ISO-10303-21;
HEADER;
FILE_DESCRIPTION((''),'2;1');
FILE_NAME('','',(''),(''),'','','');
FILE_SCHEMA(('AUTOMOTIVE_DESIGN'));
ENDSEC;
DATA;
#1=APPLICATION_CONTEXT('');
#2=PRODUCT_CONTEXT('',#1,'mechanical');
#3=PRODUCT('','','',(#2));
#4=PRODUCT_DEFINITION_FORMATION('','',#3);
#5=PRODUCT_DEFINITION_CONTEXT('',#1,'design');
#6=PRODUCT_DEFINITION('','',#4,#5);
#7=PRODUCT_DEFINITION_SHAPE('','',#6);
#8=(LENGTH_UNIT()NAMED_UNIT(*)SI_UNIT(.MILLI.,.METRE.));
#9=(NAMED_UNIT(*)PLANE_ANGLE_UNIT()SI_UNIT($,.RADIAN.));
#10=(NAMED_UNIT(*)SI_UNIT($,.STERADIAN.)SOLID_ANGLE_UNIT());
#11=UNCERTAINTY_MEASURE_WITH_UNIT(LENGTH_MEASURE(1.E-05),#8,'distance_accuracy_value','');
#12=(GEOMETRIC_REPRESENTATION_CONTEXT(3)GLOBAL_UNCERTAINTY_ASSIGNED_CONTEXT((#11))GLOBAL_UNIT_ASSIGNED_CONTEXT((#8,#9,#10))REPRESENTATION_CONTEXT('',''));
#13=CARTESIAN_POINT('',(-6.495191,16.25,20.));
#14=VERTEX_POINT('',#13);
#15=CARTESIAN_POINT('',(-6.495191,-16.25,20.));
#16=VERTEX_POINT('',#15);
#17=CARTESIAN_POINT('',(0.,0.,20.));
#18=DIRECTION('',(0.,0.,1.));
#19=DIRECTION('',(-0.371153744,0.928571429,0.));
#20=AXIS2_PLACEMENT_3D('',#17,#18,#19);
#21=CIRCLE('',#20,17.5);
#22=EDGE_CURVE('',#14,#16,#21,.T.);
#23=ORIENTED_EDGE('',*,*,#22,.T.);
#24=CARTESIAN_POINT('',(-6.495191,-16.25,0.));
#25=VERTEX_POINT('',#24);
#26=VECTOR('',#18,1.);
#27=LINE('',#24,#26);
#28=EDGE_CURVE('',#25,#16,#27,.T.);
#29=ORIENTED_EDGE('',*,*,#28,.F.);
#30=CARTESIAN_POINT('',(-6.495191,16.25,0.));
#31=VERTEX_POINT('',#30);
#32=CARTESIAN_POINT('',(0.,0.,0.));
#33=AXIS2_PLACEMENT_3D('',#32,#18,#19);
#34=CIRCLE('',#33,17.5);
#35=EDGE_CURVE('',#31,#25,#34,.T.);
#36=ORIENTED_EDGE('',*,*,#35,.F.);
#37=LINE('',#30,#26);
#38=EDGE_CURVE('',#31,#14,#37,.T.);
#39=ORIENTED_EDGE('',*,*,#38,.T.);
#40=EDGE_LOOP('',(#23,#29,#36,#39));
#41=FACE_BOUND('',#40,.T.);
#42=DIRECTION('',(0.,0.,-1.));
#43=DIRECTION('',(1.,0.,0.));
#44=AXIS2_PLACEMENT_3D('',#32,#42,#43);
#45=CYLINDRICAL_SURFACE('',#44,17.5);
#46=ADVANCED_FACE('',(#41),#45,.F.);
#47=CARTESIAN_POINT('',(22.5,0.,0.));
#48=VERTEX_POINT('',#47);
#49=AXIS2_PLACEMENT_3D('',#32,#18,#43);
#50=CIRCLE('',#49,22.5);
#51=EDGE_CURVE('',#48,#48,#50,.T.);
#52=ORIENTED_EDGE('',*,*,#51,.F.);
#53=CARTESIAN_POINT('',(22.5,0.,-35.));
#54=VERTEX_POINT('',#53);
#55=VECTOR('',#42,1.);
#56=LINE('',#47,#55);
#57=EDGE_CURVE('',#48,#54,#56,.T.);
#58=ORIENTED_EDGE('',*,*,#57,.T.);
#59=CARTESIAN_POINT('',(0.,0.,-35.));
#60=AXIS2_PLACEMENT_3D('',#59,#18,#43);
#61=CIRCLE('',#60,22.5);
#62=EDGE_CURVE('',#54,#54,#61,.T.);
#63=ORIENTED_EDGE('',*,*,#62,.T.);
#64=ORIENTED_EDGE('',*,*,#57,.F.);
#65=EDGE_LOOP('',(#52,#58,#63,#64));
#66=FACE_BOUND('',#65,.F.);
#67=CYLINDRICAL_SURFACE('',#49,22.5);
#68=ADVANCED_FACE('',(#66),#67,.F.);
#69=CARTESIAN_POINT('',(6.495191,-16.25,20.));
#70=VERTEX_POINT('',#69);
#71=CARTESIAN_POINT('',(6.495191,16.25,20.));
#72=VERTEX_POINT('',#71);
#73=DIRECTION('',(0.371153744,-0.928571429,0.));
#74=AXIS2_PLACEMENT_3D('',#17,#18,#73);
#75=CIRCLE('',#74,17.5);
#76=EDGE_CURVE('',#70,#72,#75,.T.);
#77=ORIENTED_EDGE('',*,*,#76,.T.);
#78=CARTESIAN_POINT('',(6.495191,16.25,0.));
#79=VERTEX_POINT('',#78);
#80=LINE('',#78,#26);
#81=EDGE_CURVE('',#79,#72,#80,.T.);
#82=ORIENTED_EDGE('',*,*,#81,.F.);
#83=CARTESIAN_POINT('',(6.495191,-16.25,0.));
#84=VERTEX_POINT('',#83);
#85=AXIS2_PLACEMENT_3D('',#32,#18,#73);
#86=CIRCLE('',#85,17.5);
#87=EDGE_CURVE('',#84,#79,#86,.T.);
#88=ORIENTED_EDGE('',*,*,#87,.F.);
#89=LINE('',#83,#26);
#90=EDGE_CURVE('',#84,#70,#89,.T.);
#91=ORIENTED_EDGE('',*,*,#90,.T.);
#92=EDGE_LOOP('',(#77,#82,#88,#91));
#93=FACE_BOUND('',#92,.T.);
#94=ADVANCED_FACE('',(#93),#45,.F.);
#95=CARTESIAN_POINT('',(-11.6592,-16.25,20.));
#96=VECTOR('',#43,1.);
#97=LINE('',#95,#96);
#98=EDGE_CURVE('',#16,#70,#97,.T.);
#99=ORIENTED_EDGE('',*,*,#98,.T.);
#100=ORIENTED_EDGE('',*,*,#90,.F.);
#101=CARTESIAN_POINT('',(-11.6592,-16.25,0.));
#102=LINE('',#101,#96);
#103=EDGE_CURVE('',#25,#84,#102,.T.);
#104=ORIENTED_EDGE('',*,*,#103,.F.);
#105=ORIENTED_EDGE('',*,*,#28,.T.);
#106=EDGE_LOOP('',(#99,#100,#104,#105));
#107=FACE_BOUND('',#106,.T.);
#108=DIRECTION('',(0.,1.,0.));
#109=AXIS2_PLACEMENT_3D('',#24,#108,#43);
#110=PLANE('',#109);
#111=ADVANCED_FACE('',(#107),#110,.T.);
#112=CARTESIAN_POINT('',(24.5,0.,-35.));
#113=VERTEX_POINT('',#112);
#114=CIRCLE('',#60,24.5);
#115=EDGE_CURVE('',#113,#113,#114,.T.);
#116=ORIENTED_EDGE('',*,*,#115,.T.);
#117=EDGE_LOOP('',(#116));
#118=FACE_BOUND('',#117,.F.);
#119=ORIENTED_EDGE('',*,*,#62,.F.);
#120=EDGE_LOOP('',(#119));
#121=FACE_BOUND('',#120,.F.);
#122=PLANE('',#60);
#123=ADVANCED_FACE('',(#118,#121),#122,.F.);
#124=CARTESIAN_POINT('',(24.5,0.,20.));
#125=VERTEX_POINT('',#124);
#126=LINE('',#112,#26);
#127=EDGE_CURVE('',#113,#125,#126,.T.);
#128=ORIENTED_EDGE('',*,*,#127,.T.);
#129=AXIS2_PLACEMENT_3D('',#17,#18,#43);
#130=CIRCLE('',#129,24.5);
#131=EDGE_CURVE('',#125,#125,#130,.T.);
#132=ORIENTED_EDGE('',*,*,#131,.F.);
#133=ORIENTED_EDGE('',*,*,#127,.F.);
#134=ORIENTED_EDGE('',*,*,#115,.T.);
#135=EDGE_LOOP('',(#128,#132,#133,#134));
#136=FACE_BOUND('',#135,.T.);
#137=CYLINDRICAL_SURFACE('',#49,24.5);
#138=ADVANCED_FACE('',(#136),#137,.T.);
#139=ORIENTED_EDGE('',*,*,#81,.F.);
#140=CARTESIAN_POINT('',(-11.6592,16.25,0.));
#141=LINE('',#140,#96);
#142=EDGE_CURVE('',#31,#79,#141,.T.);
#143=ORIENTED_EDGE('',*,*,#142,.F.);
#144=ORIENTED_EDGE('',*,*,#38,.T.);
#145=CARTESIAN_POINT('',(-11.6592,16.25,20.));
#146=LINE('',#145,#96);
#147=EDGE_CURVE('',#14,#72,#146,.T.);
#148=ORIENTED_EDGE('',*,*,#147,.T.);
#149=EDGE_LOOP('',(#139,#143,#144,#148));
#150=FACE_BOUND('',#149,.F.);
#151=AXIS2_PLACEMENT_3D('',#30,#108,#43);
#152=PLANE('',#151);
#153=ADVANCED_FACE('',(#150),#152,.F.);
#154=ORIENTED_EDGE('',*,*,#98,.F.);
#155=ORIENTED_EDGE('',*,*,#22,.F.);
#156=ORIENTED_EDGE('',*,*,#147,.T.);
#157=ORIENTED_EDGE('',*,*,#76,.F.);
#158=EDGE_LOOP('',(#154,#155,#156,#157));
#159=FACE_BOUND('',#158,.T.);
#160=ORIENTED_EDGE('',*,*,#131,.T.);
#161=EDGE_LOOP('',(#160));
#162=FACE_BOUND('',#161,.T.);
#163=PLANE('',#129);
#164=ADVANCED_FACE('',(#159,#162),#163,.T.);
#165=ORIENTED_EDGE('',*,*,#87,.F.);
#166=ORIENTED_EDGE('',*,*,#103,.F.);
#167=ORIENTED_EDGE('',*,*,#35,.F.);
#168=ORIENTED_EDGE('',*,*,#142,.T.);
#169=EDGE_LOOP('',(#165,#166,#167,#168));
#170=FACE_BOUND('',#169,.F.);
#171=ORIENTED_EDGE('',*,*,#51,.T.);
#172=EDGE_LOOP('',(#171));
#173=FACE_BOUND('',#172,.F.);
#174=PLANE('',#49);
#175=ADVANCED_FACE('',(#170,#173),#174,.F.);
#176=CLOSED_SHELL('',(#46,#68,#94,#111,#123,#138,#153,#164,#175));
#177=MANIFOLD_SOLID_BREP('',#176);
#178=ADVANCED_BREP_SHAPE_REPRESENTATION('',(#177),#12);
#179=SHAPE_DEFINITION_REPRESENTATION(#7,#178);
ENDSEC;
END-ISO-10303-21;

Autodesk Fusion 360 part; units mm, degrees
sketch "Sketch1" plane through (0, 0, 0) normal (0, 0, 1) x (1, 0, 0)
  circle A0 centre (0, 0) radius 22.5
  circle A1 centre (0, 0) radius 24.5
  dimension "d1" = 45
  dimension "d2" = 49
extrude "Extrude1" add sketch "Sketch1" against normal blind 35
sketch "Sketch2" plane through (0, 0, 0) normal (0, 0, 1) x (1, 0, 0)
  circle A0 centre (0, 0) radius 22.5
  circle A1 centre (0, 0) radius 24.5
  circle A2 centre (0, 0) radius 15
  circle A3 centre (0, 0) radius 17.5
  circle A4 centre (0, 0) radius 20
  line L0 (9.6825, 17.5) -> (-9.6825, 17.5)
  line L1 (-9.6825, -17.5) -> (9.6825, -17.5)
  line L2 (-11.6592, 16.25) -> (11.6592, 16.25)
  line L3 (-13.2288, 15) -> (13.2288, 15)
  line L4 (-13.2288, -15) -> (13.2288, -15)
  line L5 (-11.6592, -16.25) -> (11.6592, -16.25)
  dimension "d5" = 30
  dimension "d6" = 35
  dimension "d7" = 40
  dimension "d11" = 1.25
  dimension "d12" = 1.25
extrude "Extrude2" add sketch "Sketch2" along normal blind 20 contours A0 | A1 | A3 A4 L2 L3 | A3 A4 L3 L4 | A3 A4 L3 L4 | A3 A4 L2 L3 | A3 A4 L4 L5 | A3 A4 L4 L5 | A3 A4 L0 L2 | A3 L2 | A3 A4 L0 L2 | A3 L5 | A3 A4 L1 L5 | A3 A4 L1 L5 | A4 L0 | A4 L1
